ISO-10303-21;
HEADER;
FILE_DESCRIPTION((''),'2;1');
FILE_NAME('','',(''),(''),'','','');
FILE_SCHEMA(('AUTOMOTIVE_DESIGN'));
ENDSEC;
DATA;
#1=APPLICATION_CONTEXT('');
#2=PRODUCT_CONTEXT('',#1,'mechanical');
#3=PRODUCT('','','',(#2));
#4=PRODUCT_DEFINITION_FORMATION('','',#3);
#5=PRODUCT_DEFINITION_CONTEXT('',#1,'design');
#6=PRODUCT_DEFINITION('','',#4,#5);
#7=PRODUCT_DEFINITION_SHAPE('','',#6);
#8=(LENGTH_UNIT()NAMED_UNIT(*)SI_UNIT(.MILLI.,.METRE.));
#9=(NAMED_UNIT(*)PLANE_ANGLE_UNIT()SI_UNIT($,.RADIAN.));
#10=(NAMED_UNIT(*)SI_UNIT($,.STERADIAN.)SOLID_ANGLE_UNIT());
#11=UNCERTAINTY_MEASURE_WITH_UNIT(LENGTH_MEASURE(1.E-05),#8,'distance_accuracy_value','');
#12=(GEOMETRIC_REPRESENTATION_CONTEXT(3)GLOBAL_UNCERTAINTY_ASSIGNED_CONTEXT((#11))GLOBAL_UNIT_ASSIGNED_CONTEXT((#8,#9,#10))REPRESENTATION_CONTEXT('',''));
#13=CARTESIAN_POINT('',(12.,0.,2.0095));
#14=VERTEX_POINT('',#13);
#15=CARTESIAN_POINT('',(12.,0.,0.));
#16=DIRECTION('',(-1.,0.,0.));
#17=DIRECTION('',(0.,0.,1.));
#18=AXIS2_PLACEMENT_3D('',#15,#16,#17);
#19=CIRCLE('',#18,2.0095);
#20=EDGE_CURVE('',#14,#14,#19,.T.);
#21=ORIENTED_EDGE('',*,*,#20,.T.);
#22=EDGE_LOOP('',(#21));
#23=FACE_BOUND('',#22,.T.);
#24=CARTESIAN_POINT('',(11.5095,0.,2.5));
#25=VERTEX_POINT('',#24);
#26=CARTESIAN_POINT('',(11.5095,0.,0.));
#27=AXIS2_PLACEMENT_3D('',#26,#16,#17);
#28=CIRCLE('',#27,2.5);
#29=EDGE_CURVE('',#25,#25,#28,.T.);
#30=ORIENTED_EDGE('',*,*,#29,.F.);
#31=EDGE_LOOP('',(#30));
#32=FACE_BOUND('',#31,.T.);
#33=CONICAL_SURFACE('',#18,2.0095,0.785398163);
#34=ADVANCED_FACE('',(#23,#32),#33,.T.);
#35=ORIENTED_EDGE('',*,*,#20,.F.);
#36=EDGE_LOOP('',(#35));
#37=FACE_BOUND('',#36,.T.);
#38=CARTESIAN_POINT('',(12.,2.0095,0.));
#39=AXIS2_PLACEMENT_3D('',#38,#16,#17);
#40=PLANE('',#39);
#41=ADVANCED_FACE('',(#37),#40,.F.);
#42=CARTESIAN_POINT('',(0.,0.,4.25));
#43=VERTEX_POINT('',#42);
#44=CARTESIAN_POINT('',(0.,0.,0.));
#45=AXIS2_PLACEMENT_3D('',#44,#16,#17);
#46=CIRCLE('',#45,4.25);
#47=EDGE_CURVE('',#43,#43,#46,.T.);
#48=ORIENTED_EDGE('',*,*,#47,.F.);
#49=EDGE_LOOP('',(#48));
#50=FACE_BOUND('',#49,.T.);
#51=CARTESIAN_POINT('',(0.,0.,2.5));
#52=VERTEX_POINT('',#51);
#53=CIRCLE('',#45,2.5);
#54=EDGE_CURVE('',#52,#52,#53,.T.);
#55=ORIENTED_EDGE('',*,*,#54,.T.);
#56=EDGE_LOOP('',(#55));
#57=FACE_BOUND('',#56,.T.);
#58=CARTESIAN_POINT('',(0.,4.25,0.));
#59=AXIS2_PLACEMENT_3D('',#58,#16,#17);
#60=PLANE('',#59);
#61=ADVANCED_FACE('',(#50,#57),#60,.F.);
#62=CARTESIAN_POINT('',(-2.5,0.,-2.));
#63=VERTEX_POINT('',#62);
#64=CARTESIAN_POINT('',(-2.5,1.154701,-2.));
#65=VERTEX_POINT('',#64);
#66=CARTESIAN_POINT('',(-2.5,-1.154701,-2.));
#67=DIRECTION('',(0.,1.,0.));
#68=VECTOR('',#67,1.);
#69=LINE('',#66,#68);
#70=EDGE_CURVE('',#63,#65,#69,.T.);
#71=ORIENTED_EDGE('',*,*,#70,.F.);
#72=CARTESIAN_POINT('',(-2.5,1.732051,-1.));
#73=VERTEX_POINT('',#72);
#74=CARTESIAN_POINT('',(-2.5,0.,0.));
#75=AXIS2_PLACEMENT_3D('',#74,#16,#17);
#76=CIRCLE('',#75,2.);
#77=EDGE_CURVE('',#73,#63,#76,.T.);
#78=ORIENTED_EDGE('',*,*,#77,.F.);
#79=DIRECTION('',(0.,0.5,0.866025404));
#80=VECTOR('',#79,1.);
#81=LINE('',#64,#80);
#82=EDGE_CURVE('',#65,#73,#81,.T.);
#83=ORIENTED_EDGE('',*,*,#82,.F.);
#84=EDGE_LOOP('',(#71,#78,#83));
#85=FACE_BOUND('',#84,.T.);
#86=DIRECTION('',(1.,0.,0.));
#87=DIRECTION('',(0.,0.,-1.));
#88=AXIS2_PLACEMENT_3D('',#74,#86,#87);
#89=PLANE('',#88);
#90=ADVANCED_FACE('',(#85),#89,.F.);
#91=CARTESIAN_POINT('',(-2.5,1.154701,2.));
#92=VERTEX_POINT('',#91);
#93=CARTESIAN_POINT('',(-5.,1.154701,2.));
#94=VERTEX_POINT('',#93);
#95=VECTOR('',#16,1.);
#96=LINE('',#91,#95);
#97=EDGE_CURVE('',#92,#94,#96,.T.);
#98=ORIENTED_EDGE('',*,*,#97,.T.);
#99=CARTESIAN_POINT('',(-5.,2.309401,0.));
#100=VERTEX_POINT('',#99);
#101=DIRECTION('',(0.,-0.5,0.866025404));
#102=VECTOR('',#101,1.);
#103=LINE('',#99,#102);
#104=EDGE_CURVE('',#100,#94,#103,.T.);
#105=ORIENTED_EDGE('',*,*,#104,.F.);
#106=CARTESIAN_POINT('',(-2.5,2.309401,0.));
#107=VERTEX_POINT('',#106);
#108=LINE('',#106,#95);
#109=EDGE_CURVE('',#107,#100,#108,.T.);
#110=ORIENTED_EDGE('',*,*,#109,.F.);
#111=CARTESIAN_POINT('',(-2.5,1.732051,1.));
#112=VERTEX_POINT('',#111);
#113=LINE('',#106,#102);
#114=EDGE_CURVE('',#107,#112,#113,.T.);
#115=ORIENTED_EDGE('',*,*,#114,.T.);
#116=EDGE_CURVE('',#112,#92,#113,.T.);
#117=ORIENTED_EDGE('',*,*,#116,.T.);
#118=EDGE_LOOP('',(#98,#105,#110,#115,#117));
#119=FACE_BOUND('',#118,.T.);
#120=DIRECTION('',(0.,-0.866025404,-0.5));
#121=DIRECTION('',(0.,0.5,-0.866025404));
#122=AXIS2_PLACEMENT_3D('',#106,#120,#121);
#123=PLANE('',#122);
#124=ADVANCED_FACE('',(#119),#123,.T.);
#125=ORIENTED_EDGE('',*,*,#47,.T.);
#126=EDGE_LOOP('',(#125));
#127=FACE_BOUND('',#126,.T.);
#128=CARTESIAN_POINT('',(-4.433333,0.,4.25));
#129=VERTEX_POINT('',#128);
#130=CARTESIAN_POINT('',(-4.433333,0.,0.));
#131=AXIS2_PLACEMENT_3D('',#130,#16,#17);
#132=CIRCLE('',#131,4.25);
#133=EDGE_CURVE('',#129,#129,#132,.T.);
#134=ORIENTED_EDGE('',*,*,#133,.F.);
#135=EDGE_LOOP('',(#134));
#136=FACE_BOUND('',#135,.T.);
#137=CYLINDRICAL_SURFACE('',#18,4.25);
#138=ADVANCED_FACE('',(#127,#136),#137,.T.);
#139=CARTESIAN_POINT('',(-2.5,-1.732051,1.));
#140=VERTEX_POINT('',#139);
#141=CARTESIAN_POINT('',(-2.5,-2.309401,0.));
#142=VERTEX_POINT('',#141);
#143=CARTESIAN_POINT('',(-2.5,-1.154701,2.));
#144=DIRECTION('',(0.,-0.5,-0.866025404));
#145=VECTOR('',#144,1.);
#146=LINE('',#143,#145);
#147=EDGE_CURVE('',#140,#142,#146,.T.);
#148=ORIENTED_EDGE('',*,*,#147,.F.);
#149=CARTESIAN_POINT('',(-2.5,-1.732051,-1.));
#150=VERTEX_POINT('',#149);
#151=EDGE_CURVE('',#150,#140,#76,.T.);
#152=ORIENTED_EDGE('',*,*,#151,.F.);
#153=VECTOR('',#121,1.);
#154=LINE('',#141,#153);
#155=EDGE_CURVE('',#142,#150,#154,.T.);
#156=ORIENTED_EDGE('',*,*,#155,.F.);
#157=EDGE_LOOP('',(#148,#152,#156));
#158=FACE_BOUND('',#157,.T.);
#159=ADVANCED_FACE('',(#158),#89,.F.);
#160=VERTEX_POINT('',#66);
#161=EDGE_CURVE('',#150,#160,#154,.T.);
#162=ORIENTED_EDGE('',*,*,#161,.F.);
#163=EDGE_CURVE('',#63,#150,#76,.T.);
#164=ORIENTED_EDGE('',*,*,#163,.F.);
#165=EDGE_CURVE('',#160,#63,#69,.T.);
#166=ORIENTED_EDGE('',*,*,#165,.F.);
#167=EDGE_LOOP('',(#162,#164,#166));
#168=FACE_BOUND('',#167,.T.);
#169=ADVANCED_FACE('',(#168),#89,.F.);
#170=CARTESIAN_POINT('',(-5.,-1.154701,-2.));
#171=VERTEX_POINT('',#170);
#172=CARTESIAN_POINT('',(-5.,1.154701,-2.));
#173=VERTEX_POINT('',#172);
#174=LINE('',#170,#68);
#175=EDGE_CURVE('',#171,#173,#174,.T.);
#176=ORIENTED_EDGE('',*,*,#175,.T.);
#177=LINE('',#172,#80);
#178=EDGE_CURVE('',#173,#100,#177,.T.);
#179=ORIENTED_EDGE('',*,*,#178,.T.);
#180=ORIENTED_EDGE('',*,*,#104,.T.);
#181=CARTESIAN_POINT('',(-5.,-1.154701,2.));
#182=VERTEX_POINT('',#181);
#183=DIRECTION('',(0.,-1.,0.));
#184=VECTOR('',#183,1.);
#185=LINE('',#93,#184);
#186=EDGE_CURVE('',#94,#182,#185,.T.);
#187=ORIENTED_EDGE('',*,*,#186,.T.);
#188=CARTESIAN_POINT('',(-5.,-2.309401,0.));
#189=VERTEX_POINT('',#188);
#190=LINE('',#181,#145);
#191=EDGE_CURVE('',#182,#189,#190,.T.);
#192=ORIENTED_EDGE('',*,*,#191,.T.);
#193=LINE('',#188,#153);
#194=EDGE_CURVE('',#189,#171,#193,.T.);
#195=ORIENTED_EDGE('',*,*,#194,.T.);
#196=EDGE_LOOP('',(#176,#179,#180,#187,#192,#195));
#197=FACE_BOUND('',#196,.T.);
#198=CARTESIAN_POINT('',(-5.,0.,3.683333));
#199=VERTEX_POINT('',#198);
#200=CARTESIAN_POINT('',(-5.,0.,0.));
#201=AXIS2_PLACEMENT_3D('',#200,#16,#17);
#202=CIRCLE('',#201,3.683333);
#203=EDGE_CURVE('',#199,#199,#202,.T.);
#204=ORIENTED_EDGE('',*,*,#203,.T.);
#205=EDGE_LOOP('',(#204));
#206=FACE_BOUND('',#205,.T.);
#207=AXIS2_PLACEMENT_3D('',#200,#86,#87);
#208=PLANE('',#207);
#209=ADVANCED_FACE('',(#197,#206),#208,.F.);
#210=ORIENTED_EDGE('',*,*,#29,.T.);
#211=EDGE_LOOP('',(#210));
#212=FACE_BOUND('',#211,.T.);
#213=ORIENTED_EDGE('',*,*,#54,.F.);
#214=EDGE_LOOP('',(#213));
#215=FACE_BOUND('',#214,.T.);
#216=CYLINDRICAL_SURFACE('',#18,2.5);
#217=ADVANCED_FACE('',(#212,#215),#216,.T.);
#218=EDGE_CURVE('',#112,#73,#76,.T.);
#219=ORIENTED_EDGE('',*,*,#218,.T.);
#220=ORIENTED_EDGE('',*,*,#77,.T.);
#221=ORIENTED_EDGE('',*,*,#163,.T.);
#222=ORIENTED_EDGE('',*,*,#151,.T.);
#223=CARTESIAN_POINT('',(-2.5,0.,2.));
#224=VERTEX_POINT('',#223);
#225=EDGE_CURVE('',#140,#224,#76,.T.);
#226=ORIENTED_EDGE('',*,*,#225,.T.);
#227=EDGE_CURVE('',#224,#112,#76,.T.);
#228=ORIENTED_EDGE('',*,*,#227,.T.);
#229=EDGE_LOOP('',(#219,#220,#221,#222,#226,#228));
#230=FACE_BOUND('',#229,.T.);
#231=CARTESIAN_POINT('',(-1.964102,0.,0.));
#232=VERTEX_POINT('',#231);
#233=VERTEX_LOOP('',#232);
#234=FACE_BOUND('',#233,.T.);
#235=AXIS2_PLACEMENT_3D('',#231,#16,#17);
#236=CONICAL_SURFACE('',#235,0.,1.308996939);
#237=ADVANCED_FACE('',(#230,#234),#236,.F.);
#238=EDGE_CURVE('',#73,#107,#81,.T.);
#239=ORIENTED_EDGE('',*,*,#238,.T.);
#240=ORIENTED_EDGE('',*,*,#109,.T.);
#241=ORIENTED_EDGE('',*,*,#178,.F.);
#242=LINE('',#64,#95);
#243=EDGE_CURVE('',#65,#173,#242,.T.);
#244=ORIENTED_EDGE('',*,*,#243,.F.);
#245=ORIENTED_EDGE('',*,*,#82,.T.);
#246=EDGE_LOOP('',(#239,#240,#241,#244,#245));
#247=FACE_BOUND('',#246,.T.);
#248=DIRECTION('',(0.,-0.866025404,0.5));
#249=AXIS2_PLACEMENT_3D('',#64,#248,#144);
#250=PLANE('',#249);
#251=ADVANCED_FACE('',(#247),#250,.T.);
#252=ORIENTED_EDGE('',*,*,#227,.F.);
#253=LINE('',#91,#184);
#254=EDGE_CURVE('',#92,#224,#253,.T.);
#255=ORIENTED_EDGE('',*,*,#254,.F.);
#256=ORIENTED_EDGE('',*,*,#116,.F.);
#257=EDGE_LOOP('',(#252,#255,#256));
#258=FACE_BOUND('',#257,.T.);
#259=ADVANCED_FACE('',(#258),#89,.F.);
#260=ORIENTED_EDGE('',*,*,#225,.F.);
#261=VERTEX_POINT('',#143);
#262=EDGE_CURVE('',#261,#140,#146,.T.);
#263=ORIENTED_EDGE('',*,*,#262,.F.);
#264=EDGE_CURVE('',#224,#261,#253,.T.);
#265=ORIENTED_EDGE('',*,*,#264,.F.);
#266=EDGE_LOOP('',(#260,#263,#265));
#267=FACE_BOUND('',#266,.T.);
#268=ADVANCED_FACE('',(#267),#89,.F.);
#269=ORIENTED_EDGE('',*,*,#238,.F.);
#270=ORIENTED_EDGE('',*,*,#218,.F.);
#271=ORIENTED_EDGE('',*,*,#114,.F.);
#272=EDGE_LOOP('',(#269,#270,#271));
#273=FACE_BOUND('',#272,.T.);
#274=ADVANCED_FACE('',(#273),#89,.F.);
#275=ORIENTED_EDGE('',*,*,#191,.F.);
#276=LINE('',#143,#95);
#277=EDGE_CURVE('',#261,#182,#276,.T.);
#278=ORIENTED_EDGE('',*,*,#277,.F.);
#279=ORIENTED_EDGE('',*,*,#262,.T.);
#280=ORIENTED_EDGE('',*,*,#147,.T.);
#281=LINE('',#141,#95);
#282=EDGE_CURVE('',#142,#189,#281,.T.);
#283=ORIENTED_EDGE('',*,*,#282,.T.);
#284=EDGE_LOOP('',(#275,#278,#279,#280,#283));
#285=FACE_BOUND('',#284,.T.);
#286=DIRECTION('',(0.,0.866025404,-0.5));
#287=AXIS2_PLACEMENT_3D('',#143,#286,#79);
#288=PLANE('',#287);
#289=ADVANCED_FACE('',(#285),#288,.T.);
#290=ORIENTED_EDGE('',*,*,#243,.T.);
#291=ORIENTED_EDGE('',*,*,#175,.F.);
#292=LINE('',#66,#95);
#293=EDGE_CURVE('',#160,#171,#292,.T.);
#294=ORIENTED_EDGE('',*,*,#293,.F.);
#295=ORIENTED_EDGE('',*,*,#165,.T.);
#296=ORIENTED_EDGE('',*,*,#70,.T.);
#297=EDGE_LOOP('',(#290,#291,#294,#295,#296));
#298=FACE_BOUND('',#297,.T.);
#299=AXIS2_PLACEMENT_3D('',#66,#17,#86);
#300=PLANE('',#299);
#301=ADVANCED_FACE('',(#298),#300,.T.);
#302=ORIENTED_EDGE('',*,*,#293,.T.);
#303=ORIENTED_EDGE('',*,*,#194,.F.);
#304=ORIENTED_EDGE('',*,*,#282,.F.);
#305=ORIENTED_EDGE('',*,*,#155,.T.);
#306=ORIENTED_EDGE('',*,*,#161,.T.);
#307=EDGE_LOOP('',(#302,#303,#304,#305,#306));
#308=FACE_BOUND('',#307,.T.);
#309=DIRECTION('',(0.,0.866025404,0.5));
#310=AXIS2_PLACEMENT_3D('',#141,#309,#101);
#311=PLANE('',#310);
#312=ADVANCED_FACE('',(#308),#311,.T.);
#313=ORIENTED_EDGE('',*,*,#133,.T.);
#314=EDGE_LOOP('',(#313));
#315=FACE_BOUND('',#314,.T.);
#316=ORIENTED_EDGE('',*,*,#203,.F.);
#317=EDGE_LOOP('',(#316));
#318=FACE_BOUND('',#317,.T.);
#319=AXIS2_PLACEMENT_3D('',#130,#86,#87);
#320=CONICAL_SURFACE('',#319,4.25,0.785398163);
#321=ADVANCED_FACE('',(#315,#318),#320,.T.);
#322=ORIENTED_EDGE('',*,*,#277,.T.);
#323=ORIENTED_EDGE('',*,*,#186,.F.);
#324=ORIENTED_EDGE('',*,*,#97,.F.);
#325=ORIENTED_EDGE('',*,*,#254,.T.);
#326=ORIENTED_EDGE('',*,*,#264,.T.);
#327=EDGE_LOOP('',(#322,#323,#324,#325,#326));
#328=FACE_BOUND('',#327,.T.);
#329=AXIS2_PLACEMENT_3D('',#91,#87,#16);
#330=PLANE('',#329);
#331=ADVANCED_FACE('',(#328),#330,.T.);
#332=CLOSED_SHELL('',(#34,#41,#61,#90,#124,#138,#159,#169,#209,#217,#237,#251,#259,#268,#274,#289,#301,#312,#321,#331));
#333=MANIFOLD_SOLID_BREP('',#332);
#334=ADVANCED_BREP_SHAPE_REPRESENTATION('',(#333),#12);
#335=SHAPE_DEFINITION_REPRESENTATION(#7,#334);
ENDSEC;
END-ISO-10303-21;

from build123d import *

# Parameters (mm, degrees)
CUT_EXTRUDE_1_DEPTH = 2.5


with BuildPart() as part:
    # 草圖1 → 旋轉1 (revolve)
    with BuildSketch(Plane.XY, mode=Mode.PRIVATE) as revolve_1_sk:
        Polygon((-5, 0), (-5, 3.683333333), (-4.433333333, 4.25), (0, 4.25), (0, 2.5), (11.5095, 2.5), (12, 2.0095), (12, 0), align=None)
    revolve(revolve_1_sk.sketch.rotate(Axis((12, 0, 0), (-1, 0, 0)), 270), axis=Axis((12, 0, 0), (-1, 0, 0)))

    # 草圖2 → 除料-旋轉1 (revolve, cut)
    with BuildSketch(Plane.XY, mode=Mode.PRIVATE) as cut_revolve_1_sk:
        Polygon((-5, 0), (-5, 2), (-2.5, 2), (-1.964101615, 0), align=None)
    revolve(cut_revolve_1_sk.sketch.rotate(Axis((-1.964101615, 0, 0), (-1, 0, 0)), 270), axis=Axis((-1.964101615, 0, 0), (-1, 0, 0)), mode=Mode.SUBTRACT)

    # 草圖3 → 除料-伸長1 (cut)
    with BuildSketch(Plane(origin=(-5, 0, 0), x_dir=(0, 0, -1), z_dir=(1, 0, 0))):
        Polygon((-2, 1.154700538), (-2, -1.154700538), (0, -2.309401077), (2, -1.154700538), (2, 1.154700538), (0, 2.309401077), align=None)
    extrude(amount=CUT_EXTRUDE_1_DEPTH, mode=Mode.SUBTRACT)


solid = part.part
